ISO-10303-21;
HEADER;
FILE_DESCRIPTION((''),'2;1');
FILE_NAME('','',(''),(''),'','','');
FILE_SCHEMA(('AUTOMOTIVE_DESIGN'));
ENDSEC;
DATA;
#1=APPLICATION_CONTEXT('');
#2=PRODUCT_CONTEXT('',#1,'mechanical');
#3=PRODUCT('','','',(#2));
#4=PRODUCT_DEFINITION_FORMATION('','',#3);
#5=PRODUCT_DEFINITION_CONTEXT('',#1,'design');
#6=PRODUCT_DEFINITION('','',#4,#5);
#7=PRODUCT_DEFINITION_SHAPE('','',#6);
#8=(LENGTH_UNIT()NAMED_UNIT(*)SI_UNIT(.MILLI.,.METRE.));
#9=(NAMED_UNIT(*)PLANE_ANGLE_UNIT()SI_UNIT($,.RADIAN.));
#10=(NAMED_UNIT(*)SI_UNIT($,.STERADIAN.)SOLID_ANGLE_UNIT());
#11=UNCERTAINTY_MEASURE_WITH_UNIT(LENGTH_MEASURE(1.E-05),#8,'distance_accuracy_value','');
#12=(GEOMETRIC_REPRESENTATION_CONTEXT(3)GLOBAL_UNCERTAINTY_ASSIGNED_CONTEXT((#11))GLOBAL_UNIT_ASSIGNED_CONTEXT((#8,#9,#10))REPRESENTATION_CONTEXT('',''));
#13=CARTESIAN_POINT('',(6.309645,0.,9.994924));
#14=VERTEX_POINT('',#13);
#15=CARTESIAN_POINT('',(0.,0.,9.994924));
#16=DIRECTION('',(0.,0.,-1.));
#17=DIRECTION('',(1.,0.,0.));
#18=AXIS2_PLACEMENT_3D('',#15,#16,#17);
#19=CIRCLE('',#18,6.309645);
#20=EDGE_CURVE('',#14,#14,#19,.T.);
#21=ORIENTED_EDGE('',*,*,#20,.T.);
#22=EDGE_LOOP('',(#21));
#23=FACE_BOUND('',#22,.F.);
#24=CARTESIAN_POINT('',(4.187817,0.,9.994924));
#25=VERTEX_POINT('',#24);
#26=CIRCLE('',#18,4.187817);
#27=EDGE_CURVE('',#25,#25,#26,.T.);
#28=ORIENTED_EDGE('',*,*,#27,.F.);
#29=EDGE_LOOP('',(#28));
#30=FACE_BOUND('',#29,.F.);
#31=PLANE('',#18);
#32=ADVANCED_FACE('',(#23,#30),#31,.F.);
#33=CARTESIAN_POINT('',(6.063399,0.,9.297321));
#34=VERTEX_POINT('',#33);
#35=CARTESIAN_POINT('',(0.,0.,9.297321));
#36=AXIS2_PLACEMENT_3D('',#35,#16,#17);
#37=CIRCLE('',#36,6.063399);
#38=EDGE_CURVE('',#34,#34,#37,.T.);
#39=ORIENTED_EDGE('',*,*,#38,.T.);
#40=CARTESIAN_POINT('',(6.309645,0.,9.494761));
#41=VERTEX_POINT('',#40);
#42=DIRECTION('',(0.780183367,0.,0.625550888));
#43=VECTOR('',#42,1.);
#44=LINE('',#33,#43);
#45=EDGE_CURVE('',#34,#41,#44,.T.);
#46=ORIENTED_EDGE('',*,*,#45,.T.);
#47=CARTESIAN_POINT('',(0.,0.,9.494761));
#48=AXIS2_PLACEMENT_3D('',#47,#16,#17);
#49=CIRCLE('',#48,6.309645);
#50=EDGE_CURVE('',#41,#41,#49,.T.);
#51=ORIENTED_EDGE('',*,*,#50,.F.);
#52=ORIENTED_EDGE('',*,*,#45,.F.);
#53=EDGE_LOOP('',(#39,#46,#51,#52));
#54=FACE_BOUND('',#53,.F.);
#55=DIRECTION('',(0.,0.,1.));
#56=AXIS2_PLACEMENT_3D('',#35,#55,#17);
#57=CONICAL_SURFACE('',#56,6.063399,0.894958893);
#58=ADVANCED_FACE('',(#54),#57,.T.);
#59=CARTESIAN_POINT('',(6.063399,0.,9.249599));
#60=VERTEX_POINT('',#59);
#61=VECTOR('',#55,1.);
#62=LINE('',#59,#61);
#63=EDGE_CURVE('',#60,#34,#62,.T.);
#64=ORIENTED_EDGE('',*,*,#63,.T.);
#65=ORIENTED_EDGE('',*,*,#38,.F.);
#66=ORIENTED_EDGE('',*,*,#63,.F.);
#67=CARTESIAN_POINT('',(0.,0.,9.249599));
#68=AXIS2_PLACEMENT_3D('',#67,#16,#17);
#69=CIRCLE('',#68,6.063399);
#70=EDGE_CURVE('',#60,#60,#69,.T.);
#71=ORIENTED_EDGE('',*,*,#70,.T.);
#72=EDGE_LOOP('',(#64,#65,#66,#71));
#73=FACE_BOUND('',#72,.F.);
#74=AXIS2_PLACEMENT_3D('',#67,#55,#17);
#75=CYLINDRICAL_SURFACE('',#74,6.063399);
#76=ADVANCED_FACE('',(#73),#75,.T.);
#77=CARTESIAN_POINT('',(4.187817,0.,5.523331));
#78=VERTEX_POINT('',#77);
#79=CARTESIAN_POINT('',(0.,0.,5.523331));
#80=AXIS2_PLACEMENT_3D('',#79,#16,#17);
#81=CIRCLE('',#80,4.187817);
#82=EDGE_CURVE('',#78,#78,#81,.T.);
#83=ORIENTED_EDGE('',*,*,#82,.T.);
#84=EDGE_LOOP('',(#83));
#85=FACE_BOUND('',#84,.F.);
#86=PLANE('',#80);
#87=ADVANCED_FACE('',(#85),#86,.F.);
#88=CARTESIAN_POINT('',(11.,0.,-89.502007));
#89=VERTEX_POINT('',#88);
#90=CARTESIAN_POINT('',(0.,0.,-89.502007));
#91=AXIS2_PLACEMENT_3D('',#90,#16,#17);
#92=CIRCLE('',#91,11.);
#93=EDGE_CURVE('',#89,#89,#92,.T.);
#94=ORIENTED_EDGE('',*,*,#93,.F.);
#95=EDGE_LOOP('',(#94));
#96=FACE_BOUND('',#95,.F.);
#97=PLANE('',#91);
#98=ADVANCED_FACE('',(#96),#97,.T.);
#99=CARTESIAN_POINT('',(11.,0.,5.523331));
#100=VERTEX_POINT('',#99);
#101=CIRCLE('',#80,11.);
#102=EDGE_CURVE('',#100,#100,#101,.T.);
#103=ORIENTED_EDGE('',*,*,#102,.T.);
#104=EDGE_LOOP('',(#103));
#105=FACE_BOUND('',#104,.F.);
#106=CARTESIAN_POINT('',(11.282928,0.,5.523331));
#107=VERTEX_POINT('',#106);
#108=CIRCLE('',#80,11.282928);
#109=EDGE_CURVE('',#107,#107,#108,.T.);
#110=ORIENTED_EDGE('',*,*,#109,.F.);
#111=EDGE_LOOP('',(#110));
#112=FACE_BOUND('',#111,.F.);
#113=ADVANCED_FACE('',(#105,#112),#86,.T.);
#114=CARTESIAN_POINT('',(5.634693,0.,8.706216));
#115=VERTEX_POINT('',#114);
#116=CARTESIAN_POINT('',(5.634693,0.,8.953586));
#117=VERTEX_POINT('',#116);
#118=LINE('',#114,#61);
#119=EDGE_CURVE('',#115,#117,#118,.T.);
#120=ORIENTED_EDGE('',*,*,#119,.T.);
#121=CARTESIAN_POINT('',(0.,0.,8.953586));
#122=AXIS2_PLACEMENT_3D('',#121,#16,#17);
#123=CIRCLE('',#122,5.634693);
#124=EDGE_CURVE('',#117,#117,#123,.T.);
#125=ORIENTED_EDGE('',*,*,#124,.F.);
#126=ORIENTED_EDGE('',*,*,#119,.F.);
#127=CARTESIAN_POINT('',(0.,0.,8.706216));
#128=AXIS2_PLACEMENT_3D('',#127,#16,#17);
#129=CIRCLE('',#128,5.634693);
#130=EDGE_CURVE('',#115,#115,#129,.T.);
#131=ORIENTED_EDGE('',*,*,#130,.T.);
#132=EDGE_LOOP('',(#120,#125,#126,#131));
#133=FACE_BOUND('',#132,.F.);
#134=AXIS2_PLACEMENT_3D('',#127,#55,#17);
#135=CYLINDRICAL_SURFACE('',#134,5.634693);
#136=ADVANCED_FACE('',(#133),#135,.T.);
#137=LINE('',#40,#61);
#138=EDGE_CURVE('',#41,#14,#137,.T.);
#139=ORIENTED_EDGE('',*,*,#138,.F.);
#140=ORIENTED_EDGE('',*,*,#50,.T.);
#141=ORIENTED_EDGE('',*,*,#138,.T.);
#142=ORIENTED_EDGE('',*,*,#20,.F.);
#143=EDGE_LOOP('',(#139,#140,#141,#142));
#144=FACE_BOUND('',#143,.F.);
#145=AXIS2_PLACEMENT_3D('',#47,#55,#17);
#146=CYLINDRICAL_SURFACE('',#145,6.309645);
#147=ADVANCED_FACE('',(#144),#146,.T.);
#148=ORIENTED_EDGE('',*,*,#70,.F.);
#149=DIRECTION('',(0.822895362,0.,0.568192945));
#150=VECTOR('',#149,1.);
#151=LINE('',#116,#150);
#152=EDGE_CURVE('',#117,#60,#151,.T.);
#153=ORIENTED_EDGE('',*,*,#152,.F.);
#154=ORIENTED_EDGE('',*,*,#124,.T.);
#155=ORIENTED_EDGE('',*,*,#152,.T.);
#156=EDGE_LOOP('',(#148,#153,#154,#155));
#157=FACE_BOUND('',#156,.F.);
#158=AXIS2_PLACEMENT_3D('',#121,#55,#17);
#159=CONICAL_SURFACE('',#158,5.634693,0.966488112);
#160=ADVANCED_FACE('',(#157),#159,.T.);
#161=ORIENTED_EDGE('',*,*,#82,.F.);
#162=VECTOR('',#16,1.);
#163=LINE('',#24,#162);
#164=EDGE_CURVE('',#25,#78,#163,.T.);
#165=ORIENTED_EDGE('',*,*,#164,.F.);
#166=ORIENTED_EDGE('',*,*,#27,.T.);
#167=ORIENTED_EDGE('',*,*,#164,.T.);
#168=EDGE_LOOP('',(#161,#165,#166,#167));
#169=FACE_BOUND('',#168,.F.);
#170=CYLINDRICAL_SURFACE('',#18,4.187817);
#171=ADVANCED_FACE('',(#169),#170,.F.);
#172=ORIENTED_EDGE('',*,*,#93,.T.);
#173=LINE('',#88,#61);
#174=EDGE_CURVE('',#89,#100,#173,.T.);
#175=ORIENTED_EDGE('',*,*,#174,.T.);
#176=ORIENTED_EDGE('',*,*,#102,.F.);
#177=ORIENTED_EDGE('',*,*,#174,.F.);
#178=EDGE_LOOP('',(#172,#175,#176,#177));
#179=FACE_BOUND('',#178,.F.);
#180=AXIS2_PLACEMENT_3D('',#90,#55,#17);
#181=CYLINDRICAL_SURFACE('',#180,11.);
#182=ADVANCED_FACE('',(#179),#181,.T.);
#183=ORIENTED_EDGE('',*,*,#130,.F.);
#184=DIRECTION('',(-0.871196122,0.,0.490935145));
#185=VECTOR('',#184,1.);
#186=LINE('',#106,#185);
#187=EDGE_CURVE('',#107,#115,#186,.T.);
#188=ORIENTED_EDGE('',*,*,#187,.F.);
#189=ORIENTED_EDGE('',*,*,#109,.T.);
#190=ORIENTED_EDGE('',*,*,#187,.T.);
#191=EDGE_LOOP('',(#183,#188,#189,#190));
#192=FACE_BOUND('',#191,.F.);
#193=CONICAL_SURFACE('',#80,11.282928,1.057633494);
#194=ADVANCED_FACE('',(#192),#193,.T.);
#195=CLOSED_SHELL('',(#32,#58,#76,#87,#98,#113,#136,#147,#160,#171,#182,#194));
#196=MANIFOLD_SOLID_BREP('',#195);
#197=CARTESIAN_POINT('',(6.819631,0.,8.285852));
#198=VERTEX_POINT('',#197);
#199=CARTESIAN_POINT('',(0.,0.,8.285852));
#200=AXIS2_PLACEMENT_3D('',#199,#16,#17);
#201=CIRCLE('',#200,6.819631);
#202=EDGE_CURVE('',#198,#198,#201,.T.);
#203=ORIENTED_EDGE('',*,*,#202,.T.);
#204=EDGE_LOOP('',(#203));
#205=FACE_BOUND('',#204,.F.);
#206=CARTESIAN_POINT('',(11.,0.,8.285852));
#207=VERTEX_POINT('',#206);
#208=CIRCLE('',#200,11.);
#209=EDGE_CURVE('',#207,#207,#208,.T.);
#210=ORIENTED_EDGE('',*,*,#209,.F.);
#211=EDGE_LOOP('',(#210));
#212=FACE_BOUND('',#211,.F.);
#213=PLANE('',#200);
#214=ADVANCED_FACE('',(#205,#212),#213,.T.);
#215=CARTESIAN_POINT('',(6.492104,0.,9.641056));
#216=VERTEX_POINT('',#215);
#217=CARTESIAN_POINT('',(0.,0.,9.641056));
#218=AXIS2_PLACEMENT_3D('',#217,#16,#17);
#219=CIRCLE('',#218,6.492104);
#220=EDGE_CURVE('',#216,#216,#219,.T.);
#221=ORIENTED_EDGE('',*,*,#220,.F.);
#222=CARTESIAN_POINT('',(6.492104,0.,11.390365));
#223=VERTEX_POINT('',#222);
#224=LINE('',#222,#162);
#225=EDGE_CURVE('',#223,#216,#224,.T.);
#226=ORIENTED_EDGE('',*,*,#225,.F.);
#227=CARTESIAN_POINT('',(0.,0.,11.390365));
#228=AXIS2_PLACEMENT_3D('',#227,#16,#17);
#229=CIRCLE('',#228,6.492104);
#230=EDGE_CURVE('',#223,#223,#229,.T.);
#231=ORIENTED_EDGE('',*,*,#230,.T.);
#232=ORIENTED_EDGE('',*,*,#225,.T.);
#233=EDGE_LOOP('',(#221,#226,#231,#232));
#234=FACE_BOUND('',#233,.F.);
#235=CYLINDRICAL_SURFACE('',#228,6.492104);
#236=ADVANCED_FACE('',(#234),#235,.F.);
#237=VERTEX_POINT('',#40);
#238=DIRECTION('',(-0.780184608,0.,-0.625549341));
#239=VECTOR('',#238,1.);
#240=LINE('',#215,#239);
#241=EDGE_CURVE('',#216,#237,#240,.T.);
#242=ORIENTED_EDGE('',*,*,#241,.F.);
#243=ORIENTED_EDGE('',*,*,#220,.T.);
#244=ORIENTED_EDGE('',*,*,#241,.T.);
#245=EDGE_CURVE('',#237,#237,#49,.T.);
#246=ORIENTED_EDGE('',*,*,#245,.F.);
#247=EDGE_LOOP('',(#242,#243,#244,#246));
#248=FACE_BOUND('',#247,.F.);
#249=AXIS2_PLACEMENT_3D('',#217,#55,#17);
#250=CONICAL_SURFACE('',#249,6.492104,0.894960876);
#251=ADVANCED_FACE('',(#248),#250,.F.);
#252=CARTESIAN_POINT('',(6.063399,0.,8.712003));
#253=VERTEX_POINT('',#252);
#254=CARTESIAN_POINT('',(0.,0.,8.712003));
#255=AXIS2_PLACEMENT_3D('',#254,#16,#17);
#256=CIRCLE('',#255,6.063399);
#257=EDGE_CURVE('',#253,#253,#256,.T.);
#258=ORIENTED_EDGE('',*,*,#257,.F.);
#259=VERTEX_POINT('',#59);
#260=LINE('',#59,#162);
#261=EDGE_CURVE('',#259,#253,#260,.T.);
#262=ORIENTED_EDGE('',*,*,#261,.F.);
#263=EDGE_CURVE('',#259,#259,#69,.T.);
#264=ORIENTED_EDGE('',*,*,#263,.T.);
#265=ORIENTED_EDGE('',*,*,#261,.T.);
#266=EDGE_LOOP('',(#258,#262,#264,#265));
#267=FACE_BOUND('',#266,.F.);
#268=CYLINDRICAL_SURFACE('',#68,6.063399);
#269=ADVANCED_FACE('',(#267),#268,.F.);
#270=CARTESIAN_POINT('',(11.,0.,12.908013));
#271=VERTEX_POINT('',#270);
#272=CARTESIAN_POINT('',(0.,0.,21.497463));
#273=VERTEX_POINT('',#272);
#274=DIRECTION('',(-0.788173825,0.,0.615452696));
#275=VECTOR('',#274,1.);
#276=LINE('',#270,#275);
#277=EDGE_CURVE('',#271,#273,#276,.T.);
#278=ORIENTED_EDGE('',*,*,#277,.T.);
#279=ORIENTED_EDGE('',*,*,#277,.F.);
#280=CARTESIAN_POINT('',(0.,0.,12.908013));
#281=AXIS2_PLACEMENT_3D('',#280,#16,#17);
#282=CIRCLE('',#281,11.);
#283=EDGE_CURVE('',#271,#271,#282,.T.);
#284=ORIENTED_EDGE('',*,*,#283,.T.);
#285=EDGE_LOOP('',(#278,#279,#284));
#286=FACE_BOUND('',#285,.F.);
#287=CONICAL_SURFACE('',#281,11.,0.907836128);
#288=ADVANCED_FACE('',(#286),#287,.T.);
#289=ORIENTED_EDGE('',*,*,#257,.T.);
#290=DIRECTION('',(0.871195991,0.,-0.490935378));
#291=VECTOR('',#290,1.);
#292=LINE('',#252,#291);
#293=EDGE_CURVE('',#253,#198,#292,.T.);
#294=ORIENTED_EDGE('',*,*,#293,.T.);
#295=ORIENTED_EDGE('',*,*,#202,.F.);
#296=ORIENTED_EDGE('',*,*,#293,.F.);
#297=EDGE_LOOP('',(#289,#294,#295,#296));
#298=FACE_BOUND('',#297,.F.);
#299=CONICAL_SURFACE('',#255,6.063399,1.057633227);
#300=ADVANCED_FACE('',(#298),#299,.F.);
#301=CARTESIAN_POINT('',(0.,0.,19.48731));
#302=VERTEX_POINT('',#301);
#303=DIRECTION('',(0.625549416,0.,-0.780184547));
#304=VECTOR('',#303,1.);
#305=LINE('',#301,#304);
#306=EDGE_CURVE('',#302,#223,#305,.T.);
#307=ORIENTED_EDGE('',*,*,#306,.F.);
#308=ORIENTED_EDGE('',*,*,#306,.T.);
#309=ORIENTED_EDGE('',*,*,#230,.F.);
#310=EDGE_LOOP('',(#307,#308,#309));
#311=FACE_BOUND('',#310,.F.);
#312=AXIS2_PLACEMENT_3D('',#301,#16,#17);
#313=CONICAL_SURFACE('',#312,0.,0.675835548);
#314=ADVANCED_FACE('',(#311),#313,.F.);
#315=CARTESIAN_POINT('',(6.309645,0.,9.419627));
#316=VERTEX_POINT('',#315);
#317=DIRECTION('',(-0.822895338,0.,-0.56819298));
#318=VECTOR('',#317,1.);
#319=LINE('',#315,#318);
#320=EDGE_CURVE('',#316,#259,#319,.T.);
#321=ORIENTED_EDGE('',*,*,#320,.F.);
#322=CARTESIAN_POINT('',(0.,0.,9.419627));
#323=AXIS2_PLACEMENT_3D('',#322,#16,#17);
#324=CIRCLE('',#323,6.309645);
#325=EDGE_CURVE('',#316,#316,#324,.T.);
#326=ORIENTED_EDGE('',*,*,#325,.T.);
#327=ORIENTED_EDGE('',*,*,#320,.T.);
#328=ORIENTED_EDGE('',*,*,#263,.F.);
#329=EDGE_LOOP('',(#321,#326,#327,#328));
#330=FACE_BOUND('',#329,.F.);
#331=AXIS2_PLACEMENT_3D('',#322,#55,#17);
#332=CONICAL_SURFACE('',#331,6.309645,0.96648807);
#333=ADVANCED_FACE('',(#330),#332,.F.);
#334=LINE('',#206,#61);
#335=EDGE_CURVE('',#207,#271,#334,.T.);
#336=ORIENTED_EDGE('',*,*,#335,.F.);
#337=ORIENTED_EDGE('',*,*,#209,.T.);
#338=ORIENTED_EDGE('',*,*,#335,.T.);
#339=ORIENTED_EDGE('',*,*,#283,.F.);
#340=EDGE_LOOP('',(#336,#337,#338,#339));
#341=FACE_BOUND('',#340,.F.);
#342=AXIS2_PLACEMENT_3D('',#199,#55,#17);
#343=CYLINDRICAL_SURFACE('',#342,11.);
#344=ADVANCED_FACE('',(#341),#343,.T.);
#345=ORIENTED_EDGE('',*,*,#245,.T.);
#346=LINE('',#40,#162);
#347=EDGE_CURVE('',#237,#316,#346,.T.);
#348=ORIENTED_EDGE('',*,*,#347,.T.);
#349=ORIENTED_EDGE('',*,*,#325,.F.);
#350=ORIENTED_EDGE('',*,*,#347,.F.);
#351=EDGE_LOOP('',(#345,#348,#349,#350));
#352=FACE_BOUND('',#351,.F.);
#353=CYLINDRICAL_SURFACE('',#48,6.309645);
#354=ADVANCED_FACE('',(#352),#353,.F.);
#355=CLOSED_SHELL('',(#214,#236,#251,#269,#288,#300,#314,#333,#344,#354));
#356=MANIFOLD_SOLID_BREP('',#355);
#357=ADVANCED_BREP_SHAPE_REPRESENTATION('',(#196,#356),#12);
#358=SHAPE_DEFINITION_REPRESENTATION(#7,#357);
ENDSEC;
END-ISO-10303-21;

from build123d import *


with BuildPart() as f1:
    # F0 (on Front) → F1 (revolve)
    with BuildSketch(Plane.XZ):
        Polygon((4.187817, 5.523331), (0, 5.523331), (0, -28.086297), (0, -89.502007), (11, -89.502007), (11, 5.523331), (11.282928, 5.523331), (5.634693, 8.706216), (5.634693, 8.953586), (6.063399, 9.249599), (6.063399, 9.297321), (6.309645, 9.494761), (6.309645, 9.994924), (4.187817, 9.994924), align=None)
        Polygon((11, 12.908013), (0, 21.497463), (0, 19.48731), (6.492104, 11.390365), (6.492104, 9.641056), (6.309645, 9.494761), (6.309645, 9.419627), (6.063399, 9.249599), (6.063399, 8.712003), (6.819631, 8.285852), (11, 8.285852), align=None)
    revolve(axis=Axis((0, 0, -0.502539), (0, 0, -1)))


solid = f1.part
